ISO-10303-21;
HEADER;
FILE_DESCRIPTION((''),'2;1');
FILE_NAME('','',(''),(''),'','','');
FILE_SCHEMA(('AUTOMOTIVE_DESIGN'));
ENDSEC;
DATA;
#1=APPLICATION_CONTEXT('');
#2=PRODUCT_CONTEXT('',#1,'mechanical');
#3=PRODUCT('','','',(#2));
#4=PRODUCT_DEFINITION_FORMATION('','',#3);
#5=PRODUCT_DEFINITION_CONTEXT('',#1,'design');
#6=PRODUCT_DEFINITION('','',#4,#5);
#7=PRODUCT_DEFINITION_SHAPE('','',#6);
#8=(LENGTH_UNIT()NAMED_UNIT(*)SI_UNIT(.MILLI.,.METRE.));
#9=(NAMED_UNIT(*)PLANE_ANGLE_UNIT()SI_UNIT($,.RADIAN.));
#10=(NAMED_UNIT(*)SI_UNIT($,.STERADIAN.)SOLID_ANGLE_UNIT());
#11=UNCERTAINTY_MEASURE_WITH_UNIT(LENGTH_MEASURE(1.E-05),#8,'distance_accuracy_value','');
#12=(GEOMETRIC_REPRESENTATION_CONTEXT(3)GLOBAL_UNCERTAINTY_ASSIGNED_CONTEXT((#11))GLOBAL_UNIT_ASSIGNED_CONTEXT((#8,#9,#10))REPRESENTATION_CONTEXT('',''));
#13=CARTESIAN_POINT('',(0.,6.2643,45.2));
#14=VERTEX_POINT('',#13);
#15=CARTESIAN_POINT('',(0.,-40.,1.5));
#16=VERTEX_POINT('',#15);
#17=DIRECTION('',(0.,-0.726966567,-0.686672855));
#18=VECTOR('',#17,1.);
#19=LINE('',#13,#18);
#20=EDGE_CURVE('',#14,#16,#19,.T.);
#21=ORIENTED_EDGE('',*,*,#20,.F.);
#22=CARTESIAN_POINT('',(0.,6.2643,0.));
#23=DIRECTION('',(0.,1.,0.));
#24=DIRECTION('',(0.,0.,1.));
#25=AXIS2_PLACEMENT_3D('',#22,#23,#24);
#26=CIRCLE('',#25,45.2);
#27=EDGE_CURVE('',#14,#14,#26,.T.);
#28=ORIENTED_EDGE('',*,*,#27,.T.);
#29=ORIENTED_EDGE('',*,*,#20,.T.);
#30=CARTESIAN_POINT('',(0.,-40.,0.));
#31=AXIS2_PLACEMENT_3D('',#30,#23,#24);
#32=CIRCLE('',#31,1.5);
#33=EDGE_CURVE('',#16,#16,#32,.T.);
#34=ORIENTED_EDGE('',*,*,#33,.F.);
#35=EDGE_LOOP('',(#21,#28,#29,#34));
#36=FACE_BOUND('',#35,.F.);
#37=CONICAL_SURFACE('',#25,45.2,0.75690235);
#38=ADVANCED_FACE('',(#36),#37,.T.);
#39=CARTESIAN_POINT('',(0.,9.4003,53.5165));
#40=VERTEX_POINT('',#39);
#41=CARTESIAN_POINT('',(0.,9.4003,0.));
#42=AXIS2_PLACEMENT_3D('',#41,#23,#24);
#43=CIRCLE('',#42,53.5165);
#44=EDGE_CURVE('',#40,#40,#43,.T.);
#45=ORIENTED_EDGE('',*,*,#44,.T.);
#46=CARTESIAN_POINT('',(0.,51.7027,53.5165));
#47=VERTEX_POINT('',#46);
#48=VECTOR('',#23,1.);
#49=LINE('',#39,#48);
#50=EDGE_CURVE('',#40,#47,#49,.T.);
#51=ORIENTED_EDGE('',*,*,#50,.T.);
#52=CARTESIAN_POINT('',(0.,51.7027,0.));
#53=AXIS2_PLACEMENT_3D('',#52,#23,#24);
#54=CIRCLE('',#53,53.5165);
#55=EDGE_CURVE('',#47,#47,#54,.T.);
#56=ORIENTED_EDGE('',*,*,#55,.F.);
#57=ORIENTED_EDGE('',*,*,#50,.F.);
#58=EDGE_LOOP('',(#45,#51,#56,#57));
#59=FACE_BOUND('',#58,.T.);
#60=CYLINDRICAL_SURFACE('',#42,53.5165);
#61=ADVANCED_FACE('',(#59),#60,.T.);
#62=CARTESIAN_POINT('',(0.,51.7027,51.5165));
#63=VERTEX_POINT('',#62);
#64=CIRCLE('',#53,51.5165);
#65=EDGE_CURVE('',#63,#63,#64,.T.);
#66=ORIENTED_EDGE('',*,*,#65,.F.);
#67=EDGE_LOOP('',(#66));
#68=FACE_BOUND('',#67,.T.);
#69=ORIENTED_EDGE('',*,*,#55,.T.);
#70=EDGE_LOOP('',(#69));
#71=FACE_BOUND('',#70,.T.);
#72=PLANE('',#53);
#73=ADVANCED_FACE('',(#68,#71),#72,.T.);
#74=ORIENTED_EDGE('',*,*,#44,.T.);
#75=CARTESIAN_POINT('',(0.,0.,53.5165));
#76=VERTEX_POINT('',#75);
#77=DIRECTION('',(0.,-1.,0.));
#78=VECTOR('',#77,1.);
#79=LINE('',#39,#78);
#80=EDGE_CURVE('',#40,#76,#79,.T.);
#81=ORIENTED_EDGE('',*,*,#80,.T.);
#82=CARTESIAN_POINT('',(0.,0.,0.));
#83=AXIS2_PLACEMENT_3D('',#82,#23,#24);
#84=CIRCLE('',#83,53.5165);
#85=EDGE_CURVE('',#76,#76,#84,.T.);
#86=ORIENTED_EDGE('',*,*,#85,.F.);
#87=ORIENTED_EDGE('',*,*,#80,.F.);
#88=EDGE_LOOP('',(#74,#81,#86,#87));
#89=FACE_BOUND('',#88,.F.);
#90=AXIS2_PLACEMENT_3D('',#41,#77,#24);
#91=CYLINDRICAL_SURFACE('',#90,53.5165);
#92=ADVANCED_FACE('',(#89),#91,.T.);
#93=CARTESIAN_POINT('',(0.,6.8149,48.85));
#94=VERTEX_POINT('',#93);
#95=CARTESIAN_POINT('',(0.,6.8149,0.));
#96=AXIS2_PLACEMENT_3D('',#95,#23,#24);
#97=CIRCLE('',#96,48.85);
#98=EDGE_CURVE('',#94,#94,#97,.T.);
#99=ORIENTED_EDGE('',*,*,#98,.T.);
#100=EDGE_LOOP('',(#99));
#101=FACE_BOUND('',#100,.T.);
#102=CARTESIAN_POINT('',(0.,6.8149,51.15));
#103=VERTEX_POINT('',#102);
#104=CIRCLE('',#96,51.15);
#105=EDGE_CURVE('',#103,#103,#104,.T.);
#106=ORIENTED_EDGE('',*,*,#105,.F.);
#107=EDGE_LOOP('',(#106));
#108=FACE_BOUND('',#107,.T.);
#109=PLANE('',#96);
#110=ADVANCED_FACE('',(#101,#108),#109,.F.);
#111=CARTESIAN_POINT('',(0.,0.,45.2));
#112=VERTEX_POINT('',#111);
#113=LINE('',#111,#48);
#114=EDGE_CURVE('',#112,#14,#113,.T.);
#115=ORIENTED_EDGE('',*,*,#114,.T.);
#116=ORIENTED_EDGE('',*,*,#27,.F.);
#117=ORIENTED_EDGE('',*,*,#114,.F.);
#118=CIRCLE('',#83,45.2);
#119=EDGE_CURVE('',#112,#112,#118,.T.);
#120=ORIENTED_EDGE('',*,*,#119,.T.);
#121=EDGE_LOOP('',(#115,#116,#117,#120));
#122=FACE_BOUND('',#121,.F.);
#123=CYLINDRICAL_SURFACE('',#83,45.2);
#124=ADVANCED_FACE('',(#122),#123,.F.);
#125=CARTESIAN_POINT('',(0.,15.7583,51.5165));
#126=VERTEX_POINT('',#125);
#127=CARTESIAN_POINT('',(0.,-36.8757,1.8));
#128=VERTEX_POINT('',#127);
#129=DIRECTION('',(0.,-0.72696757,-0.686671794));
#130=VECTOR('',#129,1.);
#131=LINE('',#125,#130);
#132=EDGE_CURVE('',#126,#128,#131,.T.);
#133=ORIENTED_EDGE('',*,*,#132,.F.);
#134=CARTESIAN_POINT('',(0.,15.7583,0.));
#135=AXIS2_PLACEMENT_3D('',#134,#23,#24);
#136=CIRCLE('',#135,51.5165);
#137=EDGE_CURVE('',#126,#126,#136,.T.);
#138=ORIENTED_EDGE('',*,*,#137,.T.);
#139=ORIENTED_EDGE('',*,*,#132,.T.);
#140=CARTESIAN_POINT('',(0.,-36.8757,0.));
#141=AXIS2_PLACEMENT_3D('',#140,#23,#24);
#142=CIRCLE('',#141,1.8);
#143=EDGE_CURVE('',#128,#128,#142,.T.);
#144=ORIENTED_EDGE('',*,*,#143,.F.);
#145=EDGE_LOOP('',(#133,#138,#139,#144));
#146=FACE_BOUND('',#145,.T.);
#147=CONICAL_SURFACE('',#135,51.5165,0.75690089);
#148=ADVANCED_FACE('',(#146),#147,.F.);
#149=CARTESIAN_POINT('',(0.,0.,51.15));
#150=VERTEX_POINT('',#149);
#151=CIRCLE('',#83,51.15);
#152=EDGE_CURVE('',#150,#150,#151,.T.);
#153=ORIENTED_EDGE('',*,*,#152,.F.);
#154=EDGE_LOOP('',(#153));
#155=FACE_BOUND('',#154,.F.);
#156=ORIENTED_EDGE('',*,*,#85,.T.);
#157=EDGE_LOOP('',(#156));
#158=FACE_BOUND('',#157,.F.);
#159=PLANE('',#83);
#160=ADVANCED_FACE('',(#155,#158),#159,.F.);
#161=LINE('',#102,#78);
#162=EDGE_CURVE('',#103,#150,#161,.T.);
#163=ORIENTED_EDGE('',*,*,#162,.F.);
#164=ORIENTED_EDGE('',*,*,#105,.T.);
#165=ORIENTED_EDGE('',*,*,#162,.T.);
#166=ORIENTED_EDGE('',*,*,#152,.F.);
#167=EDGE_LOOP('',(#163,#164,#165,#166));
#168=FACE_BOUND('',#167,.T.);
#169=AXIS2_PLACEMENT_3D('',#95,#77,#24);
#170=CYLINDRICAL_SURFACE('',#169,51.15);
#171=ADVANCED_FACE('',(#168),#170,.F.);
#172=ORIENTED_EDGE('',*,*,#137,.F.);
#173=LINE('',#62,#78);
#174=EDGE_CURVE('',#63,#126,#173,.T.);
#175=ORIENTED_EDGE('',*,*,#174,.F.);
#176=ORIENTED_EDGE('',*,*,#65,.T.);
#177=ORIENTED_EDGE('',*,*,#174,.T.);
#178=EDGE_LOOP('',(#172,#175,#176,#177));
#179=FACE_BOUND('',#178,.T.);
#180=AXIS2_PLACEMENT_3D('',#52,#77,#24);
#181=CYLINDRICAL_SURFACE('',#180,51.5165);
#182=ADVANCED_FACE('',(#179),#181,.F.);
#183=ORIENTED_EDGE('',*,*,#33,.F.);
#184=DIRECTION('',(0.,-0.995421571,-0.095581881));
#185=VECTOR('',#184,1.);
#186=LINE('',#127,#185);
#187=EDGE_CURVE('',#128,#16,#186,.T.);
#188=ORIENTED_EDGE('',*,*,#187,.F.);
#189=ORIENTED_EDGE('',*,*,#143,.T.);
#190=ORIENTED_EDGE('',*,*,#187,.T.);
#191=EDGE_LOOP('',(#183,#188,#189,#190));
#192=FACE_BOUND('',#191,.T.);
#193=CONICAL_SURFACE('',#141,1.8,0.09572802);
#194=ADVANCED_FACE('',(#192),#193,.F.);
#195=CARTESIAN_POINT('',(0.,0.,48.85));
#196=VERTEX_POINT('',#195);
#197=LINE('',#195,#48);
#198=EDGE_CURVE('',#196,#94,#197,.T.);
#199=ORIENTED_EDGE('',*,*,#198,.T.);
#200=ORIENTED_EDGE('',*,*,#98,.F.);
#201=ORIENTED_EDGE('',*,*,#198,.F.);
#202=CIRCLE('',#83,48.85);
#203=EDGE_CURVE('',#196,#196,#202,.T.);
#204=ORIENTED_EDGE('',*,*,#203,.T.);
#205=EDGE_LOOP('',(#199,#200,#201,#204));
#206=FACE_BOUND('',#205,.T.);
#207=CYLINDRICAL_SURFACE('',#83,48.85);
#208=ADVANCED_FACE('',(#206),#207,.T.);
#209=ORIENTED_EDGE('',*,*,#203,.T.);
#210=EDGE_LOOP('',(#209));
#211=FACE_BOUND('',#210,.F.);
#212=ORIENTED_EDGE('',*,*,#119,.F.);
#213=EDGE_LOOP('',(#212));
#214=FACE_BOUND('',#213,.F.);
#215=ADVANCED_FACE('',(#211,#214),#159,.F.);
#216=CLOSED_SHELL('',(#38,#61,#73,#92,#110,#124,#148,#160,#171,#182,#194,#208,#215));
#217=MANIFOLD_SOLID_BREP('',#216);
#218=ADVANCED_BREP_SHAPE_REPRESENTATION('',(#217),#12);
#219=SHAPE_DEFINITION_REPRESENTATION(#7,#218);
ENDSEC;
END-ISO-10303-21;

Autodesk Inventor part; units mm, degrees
ref_plane "YZ Plane" through (0, 0, 0) normal (1, 0, 0) x (0, 1, 0)
ref_plane "XZ Plane" through (0, 0, 0) normal (0, 1, 0) x (-1, 0, 0)
ref_plane "XY Plane" through (0, 0, 0) normal (0, 0, 1) x (1, 0, 0)
sketch "Sketch1" plane through (0, 0, 0) normal (1, 0, 0) x (0, 1, 0)
  line L0 (0, 0) -> (0, 50) construction
  line L1 (9.4003, 53.5165) -> (0, 53.5165)
  line L2 (0, 45.2) -> (6.2643, 45.2)
  line L3 (0, 48.85) -> (6.8149, 48.85)
  line L4 (6.8149, 48.85) -> (6.8149, 51.15)
  line L5 (6.8149, 51.15) -> (0, 51.15)
  line L6 (-58.3405, 0) -> (70.0432, 0) projected
  line L7 (15.7583, 51.5165) -> (-36.8757, 1.8)
  line L8 (-36.8757, 1.8) -> (-40, 1.5)
  line L9 (6.2643, 45.2) -> (-40, 1.5)
  line L10 (0, 53.5165) -> (0, 51.15)
  line L11 (0, 48.85) -> (0, 45.2)
  line L12 (9.4003, 53.5165) -> (51.7027, 53.5165)
  line L13 (51.7027, 53.5165) -> (51.7027, 51.5165)
  line L14 (51.7027, 51.5165) -> (15.7583, 51.5165)
  point P0 (41.9924, 78.9477)
  dimension "d0" = 50
  dimension "d10" = 1.8
  dimension "d11" = 1.5
  dimension "d13" = 2
revolve "Revolution1" add sketch "Sketch1" angle 360 about axis through (0, -10, 0) along (0, 1, 0)
properties part number "Embudo"
